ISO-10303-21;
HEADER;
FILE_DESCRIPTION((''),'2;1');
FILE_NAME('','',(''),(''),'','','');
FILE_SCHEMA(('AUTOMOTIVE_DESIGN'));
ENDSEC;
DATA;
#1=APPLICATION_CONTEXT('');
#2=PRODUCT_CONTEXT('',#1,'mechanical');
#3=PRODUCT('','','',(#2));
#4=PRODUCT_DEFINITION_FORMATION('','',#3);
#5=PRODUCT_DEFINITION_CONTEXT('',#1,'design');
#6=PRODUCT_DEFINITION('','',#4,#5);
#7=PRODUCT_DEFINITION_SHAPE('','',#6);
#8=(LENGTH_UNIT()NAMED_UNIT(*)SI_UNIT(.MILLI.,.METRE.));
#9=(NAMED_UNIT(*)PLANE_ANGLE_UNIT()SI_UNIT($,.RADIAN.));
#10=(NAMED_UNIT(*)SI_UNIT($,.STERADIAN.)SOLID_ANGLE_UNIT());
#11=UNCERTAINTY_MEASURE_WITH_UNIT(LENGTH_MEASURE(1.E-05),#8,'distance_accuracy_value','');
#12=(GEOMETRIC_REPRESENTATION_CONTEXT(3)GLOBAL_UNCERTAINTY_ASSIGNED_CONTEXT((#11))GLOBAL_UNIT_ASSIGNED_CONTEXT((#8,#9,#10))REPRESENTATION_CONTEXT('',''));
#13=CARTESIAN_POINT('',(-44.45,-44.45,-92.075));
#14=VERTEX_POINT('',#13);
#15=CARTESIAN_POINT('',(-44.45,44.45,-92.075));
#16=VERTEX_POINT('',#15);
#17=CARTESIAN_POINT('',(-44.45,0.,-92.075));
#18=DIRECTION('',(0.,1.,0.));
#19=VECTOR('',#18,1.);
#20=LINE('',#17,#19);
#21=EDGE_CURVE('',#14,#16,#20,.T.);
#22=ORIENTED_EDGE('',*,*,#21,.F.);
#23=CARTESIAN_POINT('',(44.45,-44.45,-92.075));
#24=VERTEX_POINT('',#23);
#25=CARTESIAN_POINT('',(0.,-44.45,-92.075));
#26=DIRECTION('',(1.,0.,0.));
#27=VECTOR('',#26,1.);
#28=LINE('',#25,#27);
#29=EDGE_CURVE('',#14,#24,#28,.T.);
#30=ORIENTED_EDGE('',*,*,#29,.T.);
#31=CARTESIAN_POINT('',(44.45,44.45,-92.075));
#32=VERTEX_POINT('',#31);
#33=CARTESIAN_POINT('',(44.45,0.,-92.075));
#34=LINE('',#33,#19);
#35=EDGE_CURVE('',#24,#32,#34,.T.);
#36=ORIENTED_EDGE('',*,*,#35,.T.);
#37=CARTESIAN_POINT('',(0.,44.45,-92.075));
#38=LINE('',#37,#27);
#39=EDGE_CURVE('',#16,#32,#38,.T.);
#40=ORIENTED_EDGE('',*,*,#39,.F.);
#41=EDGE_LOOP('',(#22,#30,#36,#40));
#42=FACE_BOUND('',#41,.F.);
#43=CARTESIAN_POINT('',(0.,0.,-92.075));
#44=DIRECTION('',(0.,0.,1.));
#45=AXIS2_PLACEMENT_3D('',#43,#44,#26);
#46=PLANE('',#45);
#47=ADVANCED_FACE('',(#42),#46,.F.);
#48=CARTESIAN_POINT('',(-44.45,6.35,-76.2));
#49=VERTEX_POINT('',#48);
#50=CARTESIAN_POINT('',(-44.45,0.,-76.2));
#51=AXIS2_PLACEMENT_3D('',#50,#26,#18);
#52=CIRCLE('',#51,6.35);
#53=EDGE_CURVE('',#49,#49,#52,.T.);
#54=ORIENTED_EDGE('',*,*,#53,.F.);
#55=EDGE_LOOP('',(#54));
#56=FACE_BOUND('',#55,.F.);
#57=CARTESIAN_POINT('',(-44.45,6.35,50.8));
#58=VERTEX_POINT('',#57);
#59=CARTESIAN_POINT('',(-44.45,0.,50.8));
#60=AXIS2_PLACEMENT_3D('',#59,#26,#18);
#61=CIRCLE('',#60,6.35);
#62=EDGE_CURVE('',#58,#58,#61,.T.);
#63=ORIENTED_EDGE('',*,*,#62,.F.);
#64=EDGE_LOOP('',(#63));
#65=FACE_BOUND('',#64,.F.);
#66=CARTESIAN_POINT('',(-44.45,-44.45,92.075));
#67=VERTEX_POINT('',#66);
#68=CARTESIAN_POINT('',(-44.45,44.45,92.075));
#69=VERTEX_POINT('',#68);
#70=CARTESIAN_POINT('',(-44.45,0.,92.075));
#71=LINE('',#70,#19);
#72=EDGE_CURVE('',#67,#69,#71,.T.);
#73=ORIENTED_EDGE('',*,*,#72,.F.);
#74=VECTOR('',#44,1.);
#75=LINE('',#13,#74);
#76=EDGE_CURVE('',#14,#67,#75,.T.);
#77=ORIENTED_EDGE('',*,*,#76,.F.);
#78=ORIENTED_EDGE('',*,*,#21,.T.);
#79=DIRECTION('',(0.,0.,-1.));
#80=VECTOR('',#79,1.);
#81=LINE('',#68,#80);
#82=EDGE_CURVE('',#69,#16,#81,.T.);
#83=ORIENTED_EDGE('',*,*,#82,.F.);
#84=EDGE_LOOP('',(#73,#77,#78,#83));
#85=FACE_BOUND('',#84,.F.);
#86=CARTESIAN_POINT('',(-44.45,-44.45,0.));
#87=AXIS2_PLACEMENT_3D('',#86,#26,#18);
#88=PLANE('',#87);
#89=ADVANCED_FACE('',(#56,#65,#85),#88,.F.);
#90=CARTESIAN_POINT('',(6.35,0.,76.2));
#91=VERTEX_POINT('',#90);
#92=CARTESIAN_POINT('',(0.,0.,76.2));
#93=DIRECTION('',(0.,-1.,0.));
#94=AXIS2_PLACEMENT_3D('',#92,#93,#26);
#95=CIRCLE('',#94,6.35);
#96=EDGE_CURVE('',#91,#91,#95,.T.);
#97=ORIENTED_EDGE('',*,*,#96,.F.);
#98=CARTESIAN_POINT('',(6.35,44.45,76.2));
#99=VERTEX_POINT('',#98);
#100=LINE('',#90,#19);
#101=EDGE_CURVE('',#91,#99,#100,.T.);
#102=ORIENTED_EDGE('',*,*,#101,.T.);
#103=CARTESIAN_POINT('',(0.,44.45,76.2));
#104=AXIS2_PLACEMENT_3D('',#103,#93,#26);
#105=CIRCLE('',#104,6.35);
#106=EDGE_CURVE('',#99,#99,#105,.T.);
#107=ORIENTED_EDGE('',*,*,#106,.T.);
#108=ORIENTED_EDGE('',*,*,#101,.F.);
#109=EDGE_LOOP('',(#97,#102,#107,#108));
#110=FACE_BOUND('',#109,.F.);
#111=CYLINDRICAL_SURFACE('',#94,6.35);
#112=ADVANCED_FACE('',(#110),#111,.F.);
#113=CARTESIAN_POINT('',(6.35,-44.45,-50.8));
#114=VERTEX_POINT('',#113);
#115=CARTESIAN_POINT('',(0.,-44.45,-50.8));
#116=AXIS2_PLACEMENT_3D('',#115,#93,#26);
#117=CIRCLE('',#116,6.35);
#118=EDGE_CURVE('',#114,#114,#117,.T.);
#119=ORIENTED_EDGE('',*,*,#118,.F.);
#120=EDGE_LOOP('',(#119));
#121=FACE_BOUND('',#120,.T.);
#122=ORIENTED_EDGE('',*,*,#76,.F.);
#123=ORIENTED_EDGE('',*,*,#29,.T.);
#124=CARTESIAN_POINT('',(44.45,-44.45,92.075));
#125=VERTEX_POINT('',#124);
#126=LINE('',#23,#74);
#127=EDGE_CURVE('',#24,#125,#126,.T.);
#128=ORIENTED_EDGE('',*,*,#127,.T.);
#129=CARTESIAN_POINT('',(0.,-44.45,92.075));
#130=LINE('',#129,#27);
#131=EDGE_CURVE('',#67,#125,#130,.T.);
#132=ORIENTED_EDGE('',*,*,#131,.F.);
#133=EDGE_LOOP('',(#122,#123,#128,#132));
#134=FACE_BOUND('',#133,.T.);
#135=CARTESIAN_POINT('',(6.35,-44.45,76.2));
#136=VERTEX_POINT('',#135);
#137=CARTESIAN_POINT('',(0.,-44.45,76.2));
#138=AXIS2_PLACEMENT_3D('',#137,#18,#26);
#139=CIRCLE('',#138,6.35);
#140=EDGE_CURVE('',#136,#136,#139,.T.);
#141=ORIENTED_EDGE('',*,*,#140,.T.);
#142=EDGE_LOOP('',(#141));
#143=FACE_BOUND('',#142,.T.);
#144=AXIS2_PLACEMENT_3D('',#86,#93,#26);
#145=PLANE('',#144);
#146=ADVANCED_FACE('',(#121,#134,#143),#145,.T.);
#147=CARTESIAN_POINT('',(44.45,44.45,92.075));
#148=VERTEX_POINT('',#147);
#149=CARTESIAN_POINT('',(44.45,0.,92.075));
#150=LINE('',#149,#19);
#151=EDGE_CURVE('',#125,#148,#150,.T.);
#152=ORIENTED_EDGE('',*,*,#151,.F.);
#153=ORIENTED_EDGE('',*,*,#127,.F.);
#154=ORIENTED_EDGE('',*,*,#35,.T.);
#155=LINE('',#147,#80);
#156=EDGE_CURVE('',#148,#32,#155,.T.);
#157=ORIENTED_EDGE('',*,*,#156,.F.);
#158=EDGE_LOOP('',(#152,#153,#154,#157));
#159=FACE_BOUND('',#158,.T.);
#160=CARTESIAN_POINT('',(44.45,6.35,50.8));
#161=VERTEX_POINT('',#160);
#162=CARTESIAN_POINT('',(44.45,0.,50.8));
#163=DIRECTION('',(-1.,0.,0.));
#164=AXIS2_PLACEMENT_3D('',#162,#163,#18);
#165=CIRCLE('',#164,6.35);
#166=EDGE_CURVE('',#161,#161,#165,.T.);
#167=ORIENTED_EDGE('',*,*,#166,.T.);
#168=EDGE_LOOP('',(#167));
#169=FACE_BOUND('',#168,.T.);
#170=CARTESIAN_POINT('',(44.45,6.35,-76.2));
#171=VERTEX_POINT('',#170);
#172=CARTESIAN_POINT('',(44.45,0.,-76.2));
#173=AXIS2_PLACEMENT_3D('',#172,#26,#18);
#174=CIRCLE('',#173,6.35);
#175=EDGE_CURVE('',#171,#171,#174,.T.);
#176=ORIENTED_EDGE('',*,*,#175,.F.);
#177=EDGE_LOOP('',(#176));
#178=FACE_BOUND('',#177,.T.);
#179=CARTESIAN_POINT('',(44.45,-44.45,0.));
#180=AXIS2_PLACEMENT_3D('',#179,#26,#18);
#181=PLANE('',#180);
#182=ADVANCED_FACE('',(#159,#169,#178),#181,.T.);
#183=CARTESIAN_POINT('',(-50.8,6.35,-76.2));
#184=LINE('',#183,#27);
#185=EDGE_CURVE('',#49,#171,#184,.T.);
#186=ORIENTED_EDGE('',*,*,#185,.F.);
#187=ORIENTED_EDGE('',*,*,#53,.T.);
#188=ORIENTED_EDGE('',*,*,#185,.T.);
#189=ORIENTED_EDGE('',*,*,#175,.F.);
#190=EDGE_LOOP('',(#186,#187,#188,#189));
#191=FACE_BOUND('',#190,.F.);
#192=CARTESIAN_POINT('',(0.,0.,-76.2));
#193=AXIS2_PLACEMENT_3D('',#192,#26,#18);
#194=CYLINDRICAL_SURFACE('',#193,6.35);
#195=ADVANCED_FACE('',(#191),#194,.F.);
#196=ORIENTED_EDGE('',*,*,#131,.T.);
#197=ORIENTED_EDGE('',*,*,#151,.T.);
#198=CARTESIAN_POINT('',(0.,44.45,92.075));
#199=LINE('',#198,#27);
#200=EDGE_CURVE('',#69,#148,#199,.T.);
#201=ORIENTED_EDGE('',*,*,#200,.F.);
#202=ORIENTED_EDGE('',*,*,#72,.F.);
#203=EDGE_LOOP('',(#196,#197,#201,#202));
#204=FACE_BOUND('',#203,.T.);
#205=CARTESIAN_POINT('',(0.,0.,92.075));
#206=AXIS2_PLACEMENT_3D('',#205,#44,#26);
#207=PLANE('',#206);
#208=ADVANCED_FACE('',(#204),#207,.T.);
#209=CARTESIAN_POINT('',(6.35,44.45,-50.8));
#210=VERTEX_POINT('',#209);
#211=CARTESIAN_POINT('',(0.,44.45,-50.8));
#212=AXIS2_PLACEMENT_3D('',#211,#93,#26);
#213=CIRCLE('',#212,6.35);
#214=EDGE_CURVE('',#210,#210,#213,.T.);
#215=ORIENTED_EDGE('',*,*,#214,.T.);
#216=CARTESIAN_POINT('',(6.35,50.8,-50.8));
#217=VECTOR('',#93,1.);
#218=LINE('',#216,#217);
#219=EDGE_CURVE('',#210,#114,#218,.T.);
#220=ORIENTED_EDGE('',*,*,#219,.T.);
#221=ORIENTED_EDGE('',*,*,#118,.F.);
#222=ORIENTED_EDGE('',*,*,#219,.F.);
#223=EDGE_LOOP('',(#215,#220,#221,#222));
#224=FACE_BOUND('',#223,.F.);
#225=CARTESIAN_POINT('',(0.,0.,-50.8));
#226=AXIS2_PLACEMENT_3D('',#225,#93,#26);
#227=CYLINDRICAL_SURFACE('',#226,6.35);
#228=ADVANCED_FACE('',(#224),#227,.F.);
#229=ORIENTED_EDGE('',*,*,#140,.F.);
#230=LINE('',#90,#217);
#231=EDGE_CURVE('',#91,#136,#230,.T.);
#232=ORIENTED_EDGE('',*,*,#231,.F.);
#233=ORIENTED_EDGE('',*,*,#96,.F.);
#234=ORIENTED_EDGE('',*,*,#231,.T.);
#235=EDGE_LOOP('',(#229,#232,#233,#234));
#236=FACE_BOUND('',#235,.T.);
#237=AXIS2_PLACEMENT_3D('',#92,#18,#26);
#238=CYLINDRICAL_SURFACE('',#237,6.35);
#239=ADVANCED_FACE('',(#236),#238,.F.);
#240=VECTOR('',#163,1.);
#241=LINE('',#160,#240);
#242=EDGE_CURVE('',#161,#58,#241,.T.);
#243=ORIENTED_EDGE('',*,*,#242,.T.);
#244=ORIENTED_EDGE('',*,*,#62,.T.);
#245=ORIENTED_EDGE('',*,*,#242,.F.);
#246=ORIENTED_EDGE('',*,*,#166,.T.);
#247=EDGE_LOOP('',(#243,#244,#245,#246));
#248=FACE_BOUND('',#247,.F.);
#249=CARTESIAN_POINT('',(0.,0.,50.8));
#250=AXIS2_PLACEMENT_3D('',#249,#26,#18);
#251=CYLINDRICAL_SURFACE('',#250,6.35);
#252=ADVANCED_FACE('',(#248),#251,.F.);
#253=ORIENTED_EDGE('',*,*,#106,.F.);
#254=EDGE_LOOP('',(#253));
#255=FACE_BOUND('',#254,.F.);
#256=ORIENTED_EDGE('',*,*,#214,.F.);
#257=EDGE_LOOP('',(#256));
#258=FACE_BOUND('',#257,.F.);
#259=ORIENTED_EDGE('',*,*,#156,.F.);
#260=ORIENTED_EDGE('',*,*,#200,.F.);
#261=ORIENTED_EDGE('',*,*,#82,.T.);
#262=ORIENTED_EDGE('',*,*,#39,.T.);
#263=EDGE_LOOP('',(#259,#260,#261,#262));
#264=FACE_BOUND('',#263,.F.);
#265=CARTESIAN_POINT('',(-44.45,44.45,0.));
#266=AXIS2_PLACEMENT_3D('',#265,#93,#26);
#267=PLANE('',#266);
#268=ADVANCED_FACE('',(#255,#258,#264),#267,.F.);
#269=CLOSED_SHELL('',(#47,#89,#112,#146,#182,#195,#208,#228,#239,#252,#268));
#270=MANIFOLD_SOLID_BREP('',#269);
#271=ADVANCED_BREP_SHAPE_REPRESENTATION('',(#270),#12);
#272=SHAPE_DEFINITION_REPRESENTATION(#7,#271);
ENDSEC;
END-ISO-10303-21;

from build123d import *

# Parameters (mm, degrees)
F0_W     = 88.9
F0_H     = 88.9
F1_DEPTH = 92.075
F2_R     = 6.35
F3_DEPTH = 50.8
F4_R     = 6.35
F5_DEPTH = 50.8


with BuildPart() as f1:
    # F0 (on Top) → F1 (new body, symmetric)
    with BuildSketch(Plane.XY):
        Rectangle(F0_W, F0_H)
    extrude(amount=F1_DEPTH, both=True)

    # F2 (on Front) → F3 (cut, symmetric)
    with BuildSketch(Plane.XZ):
        with Locations((0, 76.2)):
            Circle(F2_R)
        with Locations((0, -50.8)):
            Circle(F2_R)
    extrude(amount=F3_DEPTH, both=True, mode=Mode.SUBTRACT)

    # F4 (on Right) → F5 (cut, symmetric)
    with BuildSketch(Plane.YZ):
        with Locations((0, 50.8)):
            Circle(F4_R)
        with Locations((0, -76.2)):
            Circle(F4_R)
    extrude(amount=F5_DEPTH, both=True, mode=Mode.SUBTRACT)


solid = f1.part
